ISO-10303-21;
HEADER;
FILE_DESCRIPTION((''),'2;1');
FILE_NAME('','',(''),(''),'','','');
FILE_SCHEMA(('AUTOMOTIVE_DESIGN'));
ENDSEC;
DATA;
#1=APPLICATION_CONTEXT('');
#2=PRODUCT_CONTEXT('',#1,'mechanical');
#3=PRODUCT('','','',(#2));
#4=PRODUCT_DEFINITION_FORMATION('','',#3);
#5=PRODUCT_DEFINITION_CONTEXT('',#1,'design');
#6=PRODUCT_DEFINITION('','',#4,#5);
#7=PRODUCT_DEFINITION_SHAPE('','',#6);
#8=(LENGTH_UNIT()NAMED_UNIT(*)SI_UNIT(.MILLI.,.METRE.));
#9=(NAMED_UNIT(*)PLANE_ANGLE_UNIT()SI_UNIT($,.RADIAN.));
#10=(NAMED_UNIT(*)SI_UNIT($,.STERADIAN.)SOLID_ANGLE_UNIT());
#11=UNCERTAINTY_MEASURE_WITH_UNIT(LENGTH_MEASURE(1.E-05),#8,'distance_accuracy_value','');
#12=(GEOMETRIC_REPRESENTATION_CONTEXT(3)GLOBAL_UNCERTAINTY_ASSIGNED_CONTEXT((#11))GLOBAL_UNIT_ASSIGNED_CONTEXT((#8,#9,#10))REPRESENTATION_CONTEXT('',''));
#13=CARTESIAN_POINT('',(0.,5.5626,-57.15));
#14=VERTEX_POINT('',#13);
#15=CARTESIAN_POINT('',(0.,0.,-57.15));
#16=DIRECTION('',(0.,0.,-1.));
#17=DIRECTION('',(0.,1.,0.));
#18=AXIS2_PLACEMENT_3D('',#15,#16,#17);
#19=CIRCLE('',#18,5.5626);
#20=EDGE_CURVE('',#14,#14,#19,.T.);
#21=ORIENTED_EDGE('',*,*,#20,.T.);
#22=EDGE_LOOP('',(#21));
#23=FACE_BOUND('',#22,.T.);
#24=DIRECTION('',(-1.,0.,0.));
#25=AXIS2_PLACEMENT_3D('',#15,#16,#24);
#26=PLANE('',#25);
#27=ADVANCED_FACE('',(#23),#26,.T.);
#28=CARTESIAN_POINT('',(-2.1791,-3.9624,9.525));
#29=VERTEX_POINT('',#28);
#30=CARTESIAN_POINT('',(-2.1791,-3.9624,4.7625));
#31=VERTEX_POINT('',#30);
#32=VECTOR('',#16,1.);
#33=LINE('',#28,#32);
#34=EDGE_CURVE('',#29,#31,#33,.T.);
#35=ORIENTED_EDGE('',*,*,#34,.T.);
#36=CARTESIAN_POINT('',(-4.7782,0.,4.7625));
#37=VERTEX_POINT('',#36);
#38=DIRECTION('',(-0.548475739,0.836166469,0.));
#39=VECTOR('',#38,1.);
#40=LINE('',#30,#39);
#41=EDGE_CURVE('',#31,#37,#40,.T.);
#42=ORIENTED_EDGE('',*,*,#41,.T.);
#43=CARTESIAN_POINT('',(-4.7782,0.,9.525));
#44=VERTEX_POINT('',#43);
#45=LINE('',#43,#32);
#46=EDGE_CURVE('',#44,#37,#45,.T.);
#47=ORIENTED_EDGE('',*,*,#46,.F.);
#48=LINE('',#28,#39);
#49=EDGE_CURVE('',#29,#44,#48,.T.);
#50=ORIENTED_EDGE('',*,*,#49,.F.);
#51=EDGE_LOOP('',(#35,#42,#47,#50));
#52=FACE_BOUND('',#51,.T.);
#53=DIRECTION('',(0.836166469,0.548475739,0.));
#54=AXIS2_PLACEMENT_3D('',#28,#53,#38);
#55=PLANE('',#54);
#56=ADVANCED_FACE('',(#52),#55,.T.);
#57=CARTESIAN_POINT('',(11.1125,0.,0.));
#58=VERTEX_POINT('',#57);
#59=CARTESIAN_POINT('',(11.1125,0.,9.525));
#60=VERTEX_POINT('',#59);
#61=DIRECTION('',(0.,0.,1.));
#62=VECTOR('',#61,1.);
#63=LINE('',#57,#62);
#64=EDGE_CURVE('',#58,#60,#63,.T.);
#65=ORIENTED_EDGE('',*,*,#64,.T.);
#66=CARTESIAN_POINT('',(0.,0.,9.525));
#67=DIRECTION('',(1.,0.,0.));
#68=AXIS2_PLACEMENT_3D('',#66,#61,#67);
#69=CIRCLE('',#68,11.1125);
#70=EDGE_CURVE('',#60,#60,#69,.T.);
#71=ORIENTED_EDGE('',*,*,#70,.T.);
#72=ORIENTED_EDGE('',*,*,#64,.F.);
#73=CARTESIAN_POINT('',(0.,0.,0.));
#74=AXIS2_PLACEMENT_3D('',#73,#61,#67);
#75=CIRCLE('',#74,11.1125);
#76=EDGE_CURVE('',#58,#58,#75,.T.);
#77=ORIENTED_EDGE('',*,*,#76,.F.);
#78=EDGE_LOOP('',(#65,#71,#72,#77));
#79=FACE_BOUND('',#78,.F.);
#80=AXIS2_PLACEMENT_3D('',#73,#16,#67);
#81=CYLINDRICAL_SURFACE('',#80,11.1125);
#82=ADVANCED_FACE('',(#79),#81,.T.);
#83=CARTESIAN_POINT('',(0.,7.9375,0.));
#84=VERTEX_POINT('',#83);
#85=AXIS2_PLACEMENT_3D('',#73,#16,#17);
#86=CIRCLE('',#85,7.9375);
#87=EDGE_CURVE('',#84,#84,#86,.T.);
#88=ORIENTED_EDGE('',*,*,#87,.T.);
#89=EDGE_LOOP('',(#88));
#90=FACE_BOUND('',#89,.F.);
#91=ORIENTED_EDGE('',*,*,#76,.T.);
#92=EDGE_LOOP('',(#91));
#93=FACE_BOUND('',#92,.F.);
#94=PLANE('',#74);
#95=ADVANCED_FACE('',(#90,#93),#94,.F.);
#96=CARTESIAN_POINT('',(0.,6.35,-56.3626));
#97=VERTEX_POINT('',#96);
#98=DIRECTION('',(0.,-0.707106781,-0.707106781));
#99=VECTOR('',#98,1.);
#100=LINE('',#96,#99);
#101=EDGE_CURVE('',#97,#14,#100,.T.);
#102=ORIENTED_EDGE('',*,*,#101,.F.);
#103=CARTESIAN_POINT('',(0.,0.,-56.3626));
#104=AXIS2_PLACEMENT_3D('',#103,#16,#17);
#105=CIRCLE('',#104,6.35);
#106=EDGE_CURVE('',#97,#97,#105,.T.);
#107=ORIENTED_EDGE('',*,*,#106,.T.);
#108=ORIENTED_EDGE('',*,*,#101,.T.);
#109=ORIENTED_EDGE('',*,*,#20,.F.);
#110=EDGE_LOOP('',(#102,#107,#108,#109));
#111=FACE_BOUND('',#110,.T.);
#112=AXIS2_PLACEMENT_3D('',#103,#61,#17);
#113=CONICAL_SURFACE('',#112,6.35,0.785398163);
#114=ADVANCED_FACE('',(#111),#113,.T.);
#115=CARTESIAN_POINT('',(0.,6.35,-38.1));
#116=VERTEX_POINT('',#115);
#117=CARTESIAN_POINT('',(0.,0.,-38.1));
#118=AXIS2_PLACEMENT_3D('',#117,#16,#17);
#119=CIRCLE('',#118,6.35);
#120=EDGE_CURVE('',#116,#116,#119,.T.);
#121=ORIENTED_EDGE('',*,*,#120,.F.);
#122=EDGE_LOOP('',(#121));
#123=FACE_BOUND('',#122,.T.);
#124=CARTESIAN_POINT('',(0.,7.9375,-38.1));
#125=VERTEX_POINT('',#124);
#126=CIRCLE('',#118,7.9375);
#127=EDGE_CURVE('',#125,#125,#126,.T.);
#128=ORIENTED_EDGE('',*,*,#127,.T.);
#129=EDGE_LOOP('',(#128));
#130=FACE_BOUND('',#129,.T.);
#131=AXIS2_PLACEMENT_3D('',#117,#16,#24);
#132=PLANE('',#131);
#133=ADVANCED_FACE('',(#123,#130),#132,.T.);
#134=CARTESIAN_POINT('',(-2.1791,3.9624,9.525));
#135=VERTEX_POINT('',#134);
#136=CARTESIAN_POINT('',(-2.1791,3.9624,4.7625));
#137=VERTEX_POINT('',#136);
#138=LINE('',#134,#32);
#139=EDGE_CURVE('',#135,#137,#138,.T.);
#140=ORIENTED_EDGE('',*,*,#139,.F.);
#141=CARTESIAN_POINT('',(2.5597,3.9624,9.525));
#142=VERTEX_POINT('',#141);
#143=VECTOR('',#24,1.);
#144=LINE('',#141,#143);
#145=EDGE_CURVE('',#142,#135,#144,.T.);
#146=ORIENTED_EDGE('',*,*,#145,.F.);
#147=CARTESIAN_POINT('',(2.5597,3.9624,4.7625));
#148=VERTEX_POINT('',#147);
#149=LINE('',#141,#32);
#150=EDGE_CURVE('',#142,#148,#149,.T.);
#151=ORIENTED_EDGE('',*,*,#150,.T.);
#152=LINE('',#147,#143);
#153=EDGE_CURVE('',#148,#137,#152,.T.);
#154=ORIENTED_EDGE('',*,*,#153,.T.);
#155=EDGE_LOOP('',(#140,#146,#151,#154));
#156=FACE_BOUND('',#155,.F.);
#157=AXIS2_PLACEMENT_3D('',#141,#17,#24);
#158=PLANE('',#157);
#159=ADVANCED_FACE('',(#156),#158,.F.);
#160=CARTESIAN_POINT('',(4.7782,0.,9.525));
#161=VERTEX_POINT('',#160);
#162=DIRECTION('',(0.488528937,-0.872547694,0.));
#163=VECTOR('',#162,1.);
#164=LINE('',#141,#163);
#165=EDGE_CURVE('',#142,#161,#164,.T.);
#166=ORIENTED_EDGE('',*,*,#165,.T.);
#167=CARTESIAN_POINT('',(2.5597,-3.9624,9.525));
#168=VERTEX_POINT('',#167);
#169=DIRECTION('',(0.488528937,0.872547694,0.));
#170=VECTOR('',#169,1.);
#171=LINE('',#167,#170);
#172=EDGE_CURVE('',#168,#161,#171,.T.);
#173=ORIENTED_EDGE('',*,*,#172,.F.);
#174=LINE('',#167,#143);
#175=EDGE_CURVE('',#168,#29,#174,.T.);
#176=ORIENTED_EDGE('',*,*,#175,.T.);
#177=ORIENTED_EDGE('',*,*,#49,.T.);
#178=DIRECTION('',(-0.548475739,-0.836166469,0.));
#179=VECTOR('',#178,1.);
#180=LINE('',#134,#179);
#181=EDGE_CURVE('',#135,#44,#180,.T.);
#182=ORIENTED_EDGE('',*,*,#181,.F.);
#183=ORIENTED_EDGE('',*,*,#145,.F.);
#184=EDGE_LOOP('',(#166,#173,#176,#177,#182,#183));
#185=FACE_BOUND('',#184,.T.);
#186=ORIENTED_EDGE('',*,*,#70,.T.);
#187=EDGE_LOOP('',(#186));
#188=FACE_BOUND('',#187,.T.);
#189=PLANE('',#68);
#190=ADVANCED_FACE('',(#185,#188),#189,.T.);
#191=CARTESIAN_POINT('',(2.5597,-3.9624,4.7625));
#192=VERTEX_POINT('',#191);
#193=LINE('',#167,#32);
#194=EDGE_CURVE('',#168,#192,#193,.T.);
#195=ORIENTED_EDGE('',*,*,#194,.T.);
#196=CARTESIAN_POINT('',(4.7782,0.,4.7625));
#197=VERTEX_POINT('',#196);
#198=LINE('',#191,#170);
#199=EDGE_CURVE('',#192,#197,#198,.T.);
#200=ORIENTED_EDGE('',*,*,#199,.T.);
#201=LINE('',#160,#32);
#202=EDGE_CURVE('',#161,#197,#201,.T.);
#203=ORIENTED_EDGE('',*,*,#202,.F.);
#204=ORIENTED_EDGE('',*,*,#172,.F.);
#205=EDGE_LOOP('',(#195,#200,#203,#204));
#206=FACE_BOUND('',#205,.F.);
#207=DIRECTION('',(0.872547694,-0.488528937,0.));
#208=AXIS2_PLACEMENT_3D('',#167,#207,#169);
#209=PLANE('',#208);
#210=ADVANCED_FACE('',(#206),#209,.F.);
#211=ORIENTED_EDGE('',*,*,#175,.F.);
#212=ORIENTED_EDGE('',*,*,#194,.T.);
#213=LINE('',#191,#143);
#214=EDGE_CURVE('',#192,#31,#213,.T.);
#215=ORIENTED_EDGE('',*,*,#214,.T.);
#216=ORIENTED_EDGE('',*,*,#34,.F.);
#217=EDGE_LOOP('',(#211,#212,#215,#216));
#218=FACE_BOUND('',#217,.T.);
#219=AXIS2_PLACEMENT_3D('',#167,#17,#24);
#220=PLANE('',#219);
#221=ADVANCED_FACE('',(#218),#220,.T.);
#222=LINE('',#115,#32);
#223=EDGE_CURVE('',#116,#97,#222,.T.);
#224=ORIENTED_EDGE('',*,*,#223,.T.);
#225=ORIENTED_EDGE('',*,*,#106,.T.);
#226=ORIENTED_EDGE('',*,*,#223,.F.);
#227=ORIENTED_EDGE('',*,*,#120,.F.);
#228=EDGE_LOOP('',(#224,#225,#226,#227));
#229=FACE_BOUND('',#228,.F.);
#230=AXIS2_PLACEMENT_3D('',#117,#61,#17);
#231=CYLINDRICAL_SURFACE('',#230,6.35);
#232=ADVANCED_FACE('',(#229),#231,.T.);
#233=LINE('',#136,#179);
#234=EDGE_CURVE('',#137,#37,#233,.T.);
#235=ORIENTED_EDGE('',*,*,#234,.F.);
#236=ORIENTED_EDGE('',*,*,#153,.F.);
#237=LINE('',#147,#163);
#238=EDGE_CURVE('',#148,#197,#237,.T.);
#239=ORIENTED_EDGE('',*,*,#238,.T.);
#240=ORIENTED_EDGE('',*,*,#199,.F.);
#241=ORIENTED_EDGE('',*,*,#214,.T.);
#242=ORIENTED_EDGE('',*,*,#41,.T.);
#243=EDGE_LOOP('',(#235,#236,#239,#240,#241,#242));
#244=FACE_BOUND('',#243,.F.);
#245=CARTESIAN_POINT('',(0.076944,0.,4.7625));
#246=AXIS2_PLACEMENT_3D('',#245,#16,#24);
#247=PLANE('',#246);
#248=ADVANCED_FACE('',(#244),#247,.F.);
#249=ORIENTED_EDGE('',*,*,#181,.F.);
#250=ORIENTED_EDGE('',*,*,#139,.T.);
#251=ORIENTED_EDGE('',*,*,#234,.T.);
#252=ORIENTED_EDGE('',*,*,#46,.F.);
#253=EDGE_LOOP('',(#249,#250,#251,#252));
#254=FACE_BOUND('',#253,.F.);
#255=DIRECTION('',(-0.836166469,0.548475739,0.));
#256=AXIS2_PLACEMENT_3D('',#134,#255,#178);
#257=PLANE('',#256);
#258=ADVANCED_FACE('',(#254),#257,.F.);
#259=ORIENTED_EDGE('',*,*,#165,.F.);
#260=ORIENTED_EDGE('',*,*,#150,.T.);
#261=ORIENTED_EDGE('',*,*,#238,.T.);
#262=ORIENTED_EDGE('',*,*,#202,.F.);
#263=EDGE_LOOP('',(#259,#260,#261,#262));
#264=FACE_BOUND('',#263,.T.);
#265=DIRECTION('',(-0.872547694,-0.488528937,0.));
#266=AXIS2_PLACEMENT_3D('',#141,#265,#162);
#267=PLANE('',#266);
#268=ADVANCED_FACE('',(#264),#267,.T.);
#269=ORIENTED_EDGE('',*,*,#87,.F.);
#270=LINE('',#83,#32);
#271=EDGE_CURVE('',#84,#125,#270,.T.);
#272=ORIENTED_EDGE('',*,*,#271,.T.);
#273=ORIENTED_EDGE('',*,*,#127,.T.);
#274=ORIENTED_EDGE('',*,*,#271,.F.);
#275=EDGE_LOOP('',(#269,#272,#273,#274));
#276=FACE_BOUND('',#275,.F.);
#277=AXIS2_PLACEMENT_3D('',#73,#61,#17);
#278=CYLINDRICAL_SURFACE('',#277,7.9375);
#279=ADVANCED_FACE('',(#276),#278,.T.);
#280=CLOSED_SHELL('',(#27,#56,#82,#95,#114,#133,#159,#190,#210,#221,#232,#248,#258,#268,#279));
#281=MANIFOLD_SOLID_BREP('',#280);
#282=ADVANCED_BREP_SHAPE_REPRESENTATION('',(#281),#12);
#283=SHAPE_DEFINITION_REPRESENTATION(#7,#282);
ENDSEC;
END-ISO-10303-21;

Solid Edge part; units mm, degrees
sketch "Sketch1" plane through (0, 0, 0) normal (0, 0, 1) x (1, 0, 0)
  circle A0 centre (0, 0) radius 11.1125
  dimension "D1" = 22.225
extrude "Protrusion1" add sketch "Sketch1" along normal blind 9.525
sketch "Sketch2" plane through (0, 0, 0) normal (0, 0, -1) x (0, 1, 0)
  circle A0 centre (0, 0) radius 7.9375
  dimension "D1" = 15.875
extrude "Protrusion2" add sketch "Sketch2" along normal blind 38.1
sketch "Sketch3" plane through (0, 0, -38.1) normal (0, 0, -1) x (0, 1, 0)
  circle A0 centre (0, 0) radius 6.35
  dimension "D1" = 12.7
extrude "Protrusion3" add sketch "Sketch3" along normal blind 19.05
sketch "Sketch4" plane through (0, 0, 9.525) normal (0, 0, 1) x (0, 1, 0)
  line L0 (-3.9624, 2.1791) -> (0, 4.7782)
  line L1 (-3.9624, -2.5597) -> (-3.9624, 2.1791)
  line L2 (-3.9624, -2.5597) -> (0, -4.7782)
  line L3 (3.9624, -2.5597) -> (0, -4.7782)
  line L4 (3.9624, -2.5597) -> (3.9624, 2.1791)
  line L5 (3.9624, 2.1791) -> (0, 4.7782)
  dimension "D1" = 7.9248
extrude "Cutout1" cut sketch "Sketch4" against normal blind 4.7625
chamfer "Chamfer1" distance 0.7874 angle 45 1 edges at (0, -6.35, -57.15)
properties part number "24104362"
